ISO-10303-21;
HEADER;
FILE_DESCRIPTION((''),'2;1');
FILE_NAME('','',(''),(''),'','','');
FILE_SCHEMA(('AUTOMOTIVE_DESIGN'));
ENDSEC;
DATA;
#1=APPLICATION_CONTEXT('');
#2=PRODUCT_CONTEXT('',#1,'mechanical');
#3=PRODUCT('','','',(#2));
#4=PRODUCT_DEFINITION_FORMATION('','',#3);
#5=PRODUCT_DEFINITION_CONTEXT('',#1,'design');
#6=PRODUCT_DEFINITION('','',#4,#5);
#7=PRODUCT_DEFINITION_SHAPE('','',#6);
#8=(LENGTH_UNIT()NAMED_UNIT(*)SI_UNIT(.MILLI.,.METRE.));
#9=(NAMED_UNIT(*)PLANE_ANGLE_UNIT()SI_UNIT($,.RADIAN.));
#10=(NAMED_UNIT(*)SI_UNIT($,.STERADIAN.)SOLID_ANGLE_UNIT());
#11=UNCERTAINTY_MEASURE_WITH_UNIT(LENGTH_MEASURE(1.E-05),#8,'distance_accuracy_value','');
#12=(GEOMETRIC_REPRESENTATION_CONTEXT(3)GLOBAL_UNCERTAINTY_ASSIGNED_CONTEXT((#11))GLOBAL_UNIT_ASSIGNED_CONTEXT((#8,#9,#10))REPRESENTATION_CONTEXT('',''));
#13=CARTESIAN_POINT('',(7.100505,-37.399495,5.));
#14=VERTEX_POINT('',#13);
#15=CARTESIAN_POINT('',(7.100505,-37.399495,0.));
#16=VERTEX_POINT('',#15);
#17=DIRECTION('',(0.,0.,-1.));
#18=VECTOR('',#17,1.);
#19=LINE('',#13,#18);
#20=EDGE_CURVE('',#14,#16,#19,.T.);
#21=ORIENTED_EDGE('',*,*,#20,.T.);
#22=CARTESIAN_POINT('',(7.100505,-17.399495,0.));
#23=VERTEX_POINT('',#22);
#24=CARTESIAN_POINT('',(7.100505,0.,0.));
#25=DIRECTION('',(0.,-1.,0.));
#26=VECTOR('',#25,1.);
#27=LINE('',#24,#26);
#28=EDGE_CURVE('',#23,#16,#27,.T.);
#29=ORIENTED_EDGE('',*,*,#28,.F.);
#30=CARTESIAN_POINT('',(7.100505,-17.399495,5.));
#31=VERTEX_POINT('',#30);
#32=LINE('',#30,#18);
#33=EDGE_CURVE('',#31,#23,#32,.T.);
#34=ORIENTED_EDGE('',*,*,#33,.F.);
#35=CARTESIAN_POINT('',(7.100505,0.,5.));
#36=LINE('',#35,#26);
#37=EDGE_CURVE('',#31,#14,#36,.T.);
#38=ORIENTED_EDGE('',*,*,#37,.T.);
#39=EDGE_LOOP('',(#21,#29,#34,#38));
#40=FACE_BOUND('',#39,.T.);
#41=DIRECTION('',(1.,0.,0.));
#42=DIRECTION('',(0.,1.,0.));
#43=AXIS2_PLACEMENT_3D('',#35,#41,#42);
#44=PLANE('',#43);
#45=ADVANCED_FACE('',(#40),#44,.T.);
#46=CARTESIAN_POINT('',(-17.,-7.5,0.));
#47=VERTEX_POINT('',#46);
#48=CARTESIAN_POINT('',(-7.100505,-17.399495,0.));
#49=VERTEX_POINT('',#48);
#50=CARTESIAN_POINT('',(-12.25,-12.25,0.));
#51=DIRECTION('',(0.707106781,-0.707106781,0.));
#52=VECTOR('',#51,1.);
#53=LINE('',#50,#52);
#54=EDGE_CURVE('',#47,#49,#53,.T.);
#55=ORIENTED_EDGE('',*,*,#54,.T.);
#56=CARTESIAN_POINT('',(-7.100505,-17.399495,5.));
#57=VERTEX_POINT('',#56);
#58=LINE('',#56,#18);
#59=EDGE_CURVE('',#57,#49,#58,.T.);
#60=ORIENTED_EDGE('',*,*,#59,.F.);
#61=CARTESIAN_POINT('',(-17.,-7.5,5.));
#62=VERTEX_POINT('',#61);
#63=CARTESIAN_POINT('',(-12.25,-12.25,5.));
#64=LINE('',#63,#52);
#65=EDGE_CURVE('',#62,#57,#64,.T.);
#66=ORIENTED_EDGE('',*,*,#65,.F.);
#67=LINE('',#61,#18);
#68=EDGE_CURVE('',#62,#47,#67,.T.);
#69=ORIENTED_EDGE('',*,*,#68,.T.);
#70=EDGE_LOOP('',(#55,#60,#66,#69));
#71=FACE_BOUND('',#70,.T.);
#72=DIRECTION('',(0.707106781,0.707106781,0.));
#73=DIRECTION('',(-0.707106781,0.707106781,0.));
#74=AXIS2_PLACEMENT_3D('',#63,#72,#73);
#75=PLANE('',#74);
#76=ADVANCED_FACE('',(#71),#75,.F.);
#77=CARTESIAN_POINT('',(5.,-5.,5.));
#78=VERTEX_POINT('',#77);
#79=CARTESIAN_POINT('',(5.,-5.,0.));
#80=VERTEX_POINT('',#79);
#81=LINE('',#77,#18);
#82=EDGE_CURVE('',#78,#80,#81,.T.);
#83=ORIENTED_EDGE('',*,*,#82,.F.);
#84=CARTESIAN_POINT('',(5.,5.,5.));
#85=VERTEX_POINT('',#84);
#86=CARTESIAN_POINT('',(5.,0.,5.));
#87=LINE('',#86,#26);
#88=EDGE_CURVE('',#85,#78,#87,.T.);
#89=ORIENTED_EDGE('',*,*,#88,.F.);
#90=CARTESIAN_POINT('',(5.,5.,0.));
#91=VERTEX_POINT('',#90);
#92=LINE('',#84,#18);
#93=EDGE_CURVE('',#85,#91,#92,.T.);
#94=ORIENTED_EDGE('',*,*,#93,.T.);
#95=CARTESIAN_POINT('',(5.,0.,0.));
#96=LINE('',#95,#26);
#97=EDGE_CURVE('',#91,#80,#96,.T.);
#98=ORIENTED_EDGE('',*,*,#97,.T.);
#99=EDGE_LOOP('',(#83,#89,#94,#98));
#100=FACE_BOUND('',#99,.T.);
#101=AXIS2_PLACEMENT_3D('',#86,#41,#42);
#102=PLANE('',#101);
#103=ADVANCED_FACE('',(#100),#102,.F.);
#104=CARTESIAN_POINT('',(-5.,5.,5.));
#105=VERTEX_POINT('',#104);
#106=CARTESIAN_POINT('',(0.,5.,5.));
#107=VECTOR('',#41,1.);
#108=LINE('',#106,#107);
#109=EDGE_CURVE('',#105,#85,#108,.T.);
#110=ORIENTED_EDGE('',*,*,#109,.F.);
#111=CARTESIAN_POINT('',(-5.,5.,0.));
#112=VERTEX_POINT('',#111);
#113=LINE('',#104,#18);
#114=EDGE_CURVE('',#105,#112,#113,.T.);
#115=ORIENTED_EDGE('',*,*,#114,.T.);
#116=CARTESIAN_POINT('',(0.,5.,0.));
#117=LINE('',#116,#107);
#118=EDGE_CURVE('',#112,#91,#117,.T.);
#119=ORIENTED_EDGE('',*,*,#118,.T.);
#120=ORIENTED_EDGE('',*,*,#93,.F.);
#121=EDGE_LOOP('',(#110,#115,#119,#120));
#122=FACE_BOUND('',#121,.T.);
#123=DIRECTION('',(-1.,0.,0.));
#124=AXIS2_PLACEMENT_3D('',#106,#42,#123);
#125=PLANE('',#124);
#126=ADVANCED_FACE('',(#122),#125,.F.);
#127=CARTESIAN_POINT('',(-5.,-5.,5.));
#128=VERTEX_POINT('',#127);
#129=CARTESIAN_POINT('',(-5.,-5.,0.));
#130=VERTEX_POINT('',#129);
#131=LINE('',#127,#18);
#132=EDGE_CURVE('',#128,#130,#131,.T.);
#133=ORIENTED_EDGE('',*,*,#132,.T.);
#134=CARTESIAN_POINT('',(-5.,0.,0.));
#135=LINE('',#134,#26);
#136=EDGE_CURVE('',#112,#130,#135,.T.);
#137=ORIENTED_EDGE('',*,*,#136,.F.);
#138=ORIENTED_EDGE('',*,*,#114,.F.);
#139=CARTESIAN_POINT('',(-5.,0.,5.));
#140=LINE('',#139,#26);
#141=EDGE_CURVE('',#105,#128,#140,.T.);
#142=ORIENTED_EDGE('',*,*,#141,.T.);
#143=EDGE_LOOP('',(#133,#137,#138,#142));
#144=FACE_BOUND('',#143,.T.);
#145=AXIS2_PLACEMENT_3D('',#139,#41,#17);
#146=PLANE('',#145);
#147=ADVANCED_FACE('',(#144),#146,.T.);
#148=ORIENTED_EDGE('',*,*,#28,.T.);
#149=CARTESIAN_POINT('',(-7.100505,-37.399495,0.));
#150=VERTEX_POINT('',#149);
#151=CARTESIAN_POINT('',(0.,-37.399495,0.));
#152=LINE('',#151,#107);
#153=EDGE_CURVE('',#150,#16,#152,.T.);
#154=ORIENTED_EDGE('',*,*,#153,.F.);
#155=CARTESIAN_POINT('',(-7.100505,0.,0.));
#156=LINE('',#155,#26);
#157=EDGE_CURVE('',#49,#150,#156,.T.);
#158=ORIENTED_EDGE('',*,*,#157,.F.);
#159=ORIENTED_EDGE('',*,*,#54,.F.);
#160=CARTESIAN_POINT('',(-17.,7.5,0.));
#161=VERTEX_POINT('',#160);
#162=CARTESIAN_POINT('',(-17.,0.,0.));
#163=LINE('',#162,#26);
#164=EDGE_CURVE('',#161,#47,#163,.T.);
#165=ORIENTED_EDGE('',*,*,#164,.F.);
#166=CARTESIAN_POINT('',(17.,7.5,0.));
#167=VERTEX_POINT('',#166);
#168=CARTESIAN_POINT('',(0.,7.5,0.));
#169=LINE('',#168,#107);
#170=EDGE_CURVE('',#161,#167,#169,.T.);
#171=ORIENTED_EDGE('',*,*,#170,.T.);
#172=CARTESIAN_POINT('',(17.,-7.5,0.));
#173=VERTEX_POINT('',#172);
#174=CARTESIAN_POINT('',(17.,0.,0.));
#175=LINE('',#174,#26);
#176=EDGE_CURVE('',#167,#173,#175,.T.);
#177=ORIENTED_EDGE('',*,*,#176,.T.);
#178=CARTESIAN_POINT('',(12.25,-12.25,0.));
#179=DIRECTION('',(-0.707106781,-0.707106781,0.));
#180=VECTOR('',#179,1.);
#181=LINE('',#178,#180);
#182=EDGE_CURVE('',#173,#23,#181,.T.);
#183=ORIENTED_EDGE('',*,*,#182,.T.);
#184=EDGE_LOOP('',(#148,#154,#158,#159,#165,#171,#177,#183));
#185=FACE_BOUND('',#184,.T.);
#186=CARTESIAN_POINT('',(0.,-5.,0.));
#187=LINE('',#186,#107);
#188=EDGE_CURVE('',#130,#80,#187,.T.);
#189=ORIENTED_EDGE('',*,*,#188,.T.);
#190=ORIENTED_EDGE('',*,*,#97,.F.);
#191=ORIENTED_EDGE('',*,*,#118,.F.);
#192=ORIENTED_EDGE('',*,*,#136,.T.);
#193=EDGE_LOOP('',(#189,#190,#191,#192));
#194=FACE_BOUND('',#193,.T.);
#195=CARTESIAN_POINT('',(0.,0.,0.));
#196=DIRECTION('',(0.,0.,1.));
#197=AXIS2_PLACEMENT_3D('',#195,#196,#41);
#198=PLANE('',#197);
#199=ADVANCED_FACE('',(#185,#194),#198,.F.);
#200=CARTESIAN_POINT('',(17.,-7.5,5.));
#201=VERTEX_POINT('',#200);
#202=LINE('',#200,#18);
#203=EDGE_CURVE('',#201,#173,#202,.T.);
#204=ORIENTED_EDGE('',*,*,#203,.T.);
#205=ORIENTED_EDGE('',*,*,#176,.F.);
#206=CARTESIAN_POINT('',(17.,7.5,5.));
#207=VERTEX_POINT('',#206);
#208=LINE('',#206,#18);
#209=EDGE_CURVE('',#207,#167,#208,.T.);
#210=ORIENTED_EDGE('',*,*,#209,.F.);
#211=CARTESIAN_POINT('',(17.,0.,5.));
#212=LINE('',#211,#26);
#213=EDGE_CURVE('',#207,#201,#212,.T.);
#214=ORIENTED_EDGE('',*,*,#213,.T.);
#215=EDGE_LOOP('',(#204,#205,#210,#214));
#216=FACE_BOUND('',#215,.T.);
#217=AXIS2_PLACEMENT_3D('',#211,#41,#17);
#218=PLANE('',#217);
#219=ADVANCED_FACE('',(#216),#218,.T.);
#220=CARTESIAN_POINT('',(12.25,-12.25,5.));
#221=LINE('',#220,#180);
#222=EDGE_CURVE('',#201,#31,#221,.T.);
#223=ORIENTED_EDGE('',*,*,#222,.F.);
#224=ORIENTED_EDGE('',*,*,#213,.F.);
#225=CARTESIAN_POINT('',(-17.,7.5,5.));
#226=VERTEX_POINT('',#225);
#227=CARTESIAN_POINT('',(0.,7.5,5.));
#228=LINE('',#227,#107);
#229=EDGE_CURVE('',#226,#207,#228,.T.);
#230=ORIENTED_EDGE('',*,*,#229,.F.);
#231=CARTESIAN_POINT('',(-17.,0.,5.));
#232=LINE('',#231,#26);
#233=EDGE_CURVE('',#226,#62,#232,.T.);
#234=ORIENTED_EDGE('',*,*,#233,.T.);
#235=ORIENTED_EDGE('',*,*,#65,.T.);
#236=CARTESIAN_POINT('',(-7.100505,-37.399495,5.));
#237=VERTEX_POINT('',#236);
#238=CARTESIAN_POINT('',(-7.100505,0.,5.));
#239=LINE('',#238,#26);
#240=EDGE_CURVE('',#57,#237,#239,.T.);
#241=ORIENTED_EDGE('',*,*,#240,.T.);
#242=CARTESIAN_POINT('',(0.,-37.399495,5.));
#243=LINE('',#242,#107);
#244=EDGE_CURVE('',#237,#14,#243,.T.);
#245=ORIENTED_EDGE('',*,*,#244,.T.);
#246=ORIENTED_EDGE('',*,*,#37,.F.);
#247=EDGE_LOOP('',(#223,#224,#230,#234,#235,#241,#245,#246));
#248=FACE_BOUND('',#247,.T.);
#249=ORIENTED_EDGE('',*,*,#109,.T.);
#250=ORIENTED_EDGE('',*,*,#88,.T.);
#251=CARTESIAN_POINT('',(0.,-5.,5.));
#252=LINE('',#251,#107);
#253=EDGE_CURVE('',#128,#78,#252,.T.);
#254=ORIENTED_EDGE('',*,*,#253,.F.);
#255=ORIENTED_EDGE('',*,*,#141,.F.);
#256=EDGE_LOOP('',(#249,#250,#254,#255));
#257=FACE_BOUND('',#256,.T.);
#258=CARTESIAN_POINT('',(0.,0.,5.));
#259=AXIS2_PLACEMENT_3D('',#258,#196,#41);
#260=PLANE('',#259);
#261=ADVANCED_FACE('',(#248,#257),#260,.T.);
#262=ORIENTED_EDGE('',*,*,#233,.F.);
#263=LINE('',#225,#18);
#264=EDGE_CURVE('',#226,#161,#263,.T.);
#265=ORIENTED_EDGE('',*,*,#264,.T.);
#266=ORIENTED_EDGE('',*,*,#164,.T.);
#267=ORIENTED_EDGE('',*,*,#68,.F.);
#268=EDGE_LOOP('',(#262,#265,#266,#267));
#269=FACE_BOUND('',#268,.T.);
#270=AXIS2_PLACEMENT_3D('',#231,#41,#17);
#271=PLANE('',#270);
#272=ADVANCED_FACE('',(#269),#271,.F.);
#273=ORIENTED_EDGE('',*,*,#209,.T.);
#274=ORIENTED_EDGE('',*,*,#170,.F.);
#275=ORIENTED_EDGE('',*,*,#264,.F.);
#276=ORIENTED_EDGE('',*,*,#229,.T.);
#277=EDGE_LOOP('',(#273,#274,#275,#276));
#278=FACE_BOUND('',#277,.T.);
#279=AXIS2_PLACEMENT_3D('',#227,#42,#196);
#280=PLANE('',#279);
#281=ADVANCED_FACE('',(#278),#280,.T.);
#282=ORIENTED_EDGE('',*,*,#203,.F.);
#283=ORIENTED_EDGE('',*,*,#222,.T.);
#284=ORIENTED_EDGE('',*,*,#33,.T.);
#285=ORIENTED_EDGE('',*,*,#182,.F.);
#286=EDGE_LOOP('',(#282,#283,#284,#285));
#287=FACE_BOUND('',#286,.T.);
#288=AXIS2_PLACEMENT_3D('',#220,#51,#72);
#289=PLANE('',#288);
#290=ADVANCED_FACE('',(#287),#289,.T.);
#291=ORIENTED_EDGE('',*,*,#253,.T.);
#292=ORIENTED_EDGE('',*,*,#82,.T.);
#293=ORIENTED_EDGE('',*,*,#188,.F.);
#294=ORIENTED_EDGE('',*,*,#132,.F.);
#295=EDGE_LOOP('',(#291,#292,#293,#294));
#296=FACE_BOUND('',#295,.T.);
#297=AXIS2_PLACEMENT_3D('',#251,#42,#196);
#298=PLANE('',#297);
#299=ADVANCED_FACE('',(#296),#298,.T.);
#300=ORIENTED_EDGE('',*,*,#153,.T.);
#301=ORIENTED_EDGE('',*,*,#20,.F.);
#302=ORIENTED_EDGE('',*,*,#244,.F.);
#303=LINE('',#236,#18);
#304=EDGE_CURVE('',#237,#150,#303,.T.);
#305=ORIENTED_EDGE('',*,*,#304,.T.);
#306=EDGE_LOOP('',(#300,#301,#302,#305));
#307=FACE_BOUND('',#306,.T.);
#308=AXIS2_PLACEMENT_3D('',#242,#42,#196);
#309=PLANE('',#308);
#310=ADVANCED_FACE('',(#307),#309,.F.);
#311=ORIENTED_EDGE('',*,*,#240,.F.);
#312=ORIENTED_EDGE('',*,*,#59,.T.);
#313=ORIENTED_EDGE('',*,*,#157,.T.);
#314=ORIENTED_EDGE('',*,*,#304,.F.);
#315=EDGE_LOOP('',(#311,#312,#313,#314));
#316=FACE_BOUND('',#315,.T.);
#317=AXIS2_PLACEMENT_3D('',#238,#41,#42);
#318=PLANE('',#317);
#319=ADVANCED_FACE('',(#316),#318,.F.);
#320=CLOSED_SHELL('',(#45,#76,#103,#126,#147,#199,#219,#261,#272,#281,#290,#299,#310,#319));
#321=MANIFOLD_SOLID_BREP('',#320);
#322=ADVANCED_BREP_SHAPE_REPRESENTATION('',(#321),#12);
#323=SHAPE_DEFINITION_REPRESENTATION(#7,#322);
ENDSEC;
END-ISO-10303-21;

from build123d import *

# Parameters (mm, degrees)
CROQUIS1_W              = 34
CROQUIS1_H              = 15
CROQUIS1_W_2            = 10
CROQUIS1_H_2            = 10
SALIENTE_EXTRUIR1_DEPTH = 5


with BuildPart() as part:
    # Croquis1 → Saliente-Extruir1 (new body)
    # profile 1 of 2: a face of its own
    with BuildSketch(Plane.XY):
        Rectangle(CROQUIS1_W, CROQUIS1_H)
        Rectangle(CROQUIS1_W_2, CROQUIS1_H_2, mode=Mode.SUBTRACT)
    # profile 2 of 2: a face of its own
    with BuildSketch(Plane.XY):
        Polygon((17, -7.5), (7.100505063, -17.399494937), (7.100505063, -37.399494937), (-7.100505063, -37.399494937), (-7.100505063, -17.399494937), (-17, -7.5), align=None)
    extrude(amount=SALIENTE_EXTRUIR1_DEPTH)


solid = part.part
